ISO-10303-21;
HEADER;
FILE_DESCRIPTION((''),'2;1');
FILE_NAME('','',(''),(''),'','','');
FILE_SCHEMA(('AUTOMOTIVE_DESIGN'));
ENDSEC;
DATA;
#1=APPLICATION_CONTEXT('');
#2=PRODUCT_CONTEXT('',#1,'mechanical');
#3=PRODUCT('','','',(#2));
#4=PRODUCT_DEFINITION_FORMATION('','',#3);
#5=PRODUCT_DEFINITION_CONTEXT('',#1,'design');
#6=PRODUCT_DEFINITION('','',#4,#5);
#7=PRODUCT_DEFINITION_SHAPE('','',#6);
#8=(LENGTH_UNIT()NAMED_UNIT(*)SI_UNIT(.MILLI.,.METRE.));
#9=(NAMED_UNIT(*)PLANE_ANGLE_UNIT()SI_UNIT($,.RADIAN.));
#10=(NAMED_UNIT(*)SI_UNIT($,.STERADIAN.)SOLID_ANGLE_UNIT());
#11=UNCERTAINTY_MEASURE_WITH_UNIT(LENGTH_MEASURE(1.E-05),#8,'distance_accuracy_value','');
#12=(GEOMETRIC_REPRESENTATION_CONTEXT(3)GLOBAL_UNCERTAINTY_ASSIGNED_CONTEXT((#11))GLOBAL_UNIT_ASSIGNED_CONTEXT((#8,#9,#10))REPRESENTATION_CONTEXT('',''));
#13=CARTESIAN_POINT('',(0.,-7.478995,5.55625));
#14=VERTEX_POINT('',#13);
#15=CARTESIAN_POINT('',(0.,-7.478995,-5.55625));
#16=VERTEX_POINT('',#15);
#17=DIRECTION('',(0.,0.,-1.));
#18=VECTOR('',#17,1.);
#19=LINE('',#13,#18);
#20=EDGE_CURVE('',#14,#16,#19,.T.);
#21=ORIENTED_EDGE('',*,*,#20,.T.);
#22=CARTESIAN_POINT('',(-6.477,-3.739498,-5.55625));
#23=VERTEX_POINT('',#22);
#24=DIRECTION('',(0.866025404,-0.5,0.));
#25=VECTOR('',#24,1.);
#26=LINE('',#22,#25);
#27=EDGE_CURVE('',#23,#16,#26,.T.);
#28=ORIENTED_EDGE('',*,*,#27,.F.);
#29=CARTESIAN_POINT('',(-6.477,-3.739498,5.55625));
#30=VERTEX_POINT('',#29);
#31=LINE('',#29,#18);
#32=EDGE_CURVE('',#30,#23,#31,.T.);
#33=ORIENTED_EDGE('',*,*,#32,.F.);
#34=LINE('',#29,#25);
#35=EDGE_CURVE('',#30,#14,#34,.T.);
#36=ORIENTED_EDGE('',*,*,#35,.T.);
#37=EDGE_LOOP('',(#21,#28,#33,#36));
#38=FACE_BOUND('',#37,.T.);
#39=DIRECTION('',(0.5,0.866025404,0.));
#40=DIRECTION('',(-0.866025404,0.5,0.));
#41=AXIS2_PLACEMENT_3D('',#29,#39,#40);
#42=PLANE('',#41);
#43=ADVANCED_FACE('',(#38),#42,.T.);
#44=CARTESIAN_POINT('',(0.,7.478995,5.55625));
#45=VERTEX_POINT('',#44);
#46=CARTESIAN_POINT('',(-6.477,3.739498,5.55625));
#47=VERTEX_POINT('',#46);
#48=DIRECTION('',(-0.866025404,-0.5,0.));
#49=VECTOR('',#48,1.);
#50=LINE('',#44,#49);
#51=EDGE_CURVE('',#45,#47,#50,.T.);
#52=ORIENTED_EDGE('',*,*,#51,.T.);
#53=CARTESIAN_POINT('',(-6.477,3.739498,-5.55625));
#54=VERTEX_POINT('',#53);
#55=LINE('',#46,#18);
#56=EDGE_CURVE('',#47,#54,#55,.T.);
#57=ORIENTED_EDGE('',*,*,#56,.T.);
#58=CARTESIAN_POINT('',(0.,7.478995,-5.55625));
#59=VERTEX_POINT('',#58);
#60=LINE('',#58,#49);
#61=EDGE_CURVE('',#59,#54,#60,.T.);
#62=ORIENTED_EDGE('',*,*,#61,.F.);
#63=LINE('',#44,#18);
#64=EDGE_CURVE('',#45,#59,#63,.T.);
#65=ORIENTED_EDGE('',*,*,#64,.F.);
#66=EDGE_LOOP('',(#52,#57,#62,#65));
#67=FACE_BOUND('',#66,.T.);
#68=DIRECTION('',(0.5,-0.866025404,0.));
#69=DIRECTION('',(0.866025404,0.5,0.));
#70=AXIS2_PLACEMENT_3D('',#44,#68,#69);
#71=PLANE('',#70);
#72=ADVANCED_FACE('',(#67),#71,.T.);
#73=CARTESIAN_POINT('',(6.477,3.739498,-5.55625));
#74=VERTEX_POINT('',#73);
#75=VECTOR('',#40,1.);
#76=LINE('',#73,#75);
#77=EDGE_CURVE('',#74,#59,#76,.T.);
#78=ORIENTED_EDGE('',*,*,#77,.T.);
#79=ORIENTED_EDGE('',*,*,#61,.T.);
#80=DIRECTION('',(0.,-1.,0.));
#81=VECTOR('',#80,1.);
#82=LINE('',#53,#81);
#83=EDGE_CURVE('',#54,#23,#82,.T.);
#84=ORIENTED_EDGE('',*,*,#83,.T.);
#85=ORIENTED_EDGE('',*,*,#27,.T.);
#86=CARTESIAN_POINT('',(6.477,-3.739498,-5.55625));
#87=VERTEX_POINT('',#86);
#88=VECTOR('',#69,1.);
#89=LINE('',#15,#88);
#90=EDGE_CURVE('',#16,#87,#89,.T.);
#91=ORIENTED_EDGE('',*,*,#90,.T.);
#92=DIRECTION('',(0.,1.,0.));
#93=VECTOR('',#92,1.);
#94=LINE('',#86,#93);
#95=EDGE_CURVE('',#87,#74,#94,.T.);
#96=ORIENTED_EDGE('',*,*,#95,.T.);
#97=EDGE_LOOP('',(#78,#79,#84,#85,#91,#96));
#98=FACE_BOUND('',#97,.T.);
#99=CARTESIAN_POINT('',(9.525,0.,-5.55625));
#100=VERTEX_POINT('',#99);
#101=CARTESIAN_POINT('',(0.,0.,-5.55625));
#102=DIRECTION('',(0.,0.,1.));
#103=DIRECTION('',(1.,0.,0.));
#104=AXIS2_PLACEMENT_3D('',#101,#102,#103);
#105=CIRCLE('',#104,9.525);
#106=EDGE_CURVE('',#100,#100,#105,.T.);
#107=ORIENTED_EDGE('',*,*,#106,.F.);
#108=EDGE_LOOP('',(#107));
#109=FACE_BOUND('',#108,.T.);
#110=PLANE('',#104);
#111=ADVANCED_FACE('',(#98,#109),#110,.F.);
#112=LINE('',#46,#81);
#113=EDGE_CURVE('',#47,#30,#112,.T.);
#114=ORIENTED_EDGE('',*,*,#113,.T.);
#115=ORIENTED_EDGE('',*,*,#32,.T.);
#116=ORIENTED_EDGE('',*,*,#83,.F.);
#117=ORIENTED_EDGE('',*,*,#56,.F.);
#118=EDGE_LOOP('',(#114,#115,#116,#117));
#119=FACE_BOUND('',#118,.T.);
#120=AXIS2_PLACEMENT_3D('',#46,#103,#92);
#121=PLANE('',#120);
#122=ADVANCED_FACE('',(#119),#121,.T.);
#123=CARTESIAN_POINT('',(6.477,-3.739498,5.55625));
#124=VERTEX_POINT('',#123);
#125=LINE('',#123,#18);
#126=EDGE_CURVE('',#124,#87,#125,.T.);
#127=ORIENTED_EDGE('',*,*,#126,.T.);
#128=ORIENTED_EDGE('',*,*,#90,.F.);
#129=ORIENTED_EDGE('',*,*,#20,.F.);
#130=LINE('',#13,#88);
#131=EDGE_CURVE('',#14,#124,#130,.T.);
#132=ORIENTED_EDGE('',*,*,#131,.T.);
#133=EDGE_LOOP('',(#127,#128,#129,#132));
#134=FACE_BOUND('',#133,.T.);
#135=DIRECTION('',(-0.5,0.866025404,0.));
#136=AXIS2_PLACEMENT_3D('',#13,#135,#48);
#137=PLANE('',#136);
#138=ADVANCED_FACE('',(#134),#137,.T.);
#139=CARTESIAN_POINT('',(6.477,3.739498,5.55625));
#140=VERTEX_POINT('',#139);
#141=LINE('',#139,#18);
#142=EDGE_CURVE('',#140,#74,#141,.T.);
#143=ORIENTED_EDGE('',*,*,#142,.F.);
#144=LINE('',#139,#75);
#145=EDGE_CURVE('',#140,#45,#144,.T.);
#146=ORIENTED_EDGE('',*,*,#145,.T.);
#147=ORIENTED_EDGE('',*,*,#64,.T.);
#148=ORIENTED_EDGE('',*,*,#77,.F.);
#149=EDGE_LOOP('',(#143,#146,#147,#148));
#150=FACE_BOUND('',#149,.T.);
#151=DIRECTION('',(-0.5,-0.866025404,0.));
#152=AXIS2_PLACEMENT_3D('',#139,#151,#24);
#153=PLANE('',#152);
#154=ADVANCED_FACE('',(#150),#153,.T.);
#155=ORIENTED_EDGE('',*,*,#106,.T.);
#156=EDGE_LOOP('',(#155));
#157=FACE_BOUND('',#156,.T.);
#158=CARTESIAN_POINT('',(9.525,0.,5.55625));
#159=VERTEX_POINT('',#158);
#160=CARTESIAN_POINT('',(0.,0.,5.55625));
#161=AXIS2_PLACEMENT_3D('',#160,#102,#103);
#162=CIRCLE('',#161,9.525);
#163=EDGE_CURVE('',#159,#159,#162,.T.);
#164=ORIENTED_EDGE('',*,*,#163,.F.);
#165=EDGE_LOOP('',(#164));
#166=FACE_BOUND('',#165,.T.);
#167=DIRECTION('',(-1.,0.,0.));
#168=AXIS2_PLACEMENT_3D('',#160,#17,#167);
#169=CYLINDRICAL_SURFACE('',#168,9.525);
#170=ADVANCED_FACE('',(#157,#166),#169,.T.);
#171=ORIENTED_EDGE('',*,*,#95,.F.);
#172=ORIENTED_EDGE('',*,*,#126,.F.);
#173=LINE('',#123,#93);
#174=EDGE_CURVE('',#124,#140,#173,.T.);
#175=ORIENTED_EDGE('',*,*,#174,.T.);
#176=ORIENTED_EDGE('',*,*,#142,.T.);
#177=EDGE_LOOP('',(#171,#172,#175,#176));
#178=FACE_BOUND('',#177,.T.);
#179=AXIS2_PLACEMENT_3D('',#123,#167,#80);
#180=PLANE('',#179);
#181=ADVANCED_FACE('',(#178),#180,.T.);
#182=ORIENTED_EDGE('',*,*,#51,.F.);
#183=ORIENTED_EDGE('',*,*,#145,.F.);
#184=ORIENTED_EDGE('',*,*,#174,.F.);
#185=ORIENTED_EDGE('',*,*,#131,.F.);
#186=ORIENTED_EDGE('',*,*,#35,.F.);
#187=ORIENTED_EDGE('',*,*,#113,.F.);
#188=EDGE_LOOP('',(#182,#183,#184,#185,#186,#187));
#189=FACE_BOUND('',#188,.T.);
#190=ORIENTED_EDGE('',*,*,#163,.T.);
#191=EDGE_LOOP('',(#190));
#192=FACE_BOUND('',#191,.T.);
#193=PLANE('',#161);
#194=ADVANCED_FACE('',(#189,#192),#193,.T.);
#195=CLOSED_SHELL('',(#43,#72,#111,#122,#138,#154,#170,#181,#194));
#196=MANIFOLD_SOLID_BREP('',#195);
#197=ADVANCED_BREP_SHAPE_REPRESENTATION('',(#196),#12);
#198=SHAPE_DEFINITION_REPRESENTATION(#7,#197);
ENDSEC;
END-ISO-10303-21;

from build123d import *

# Parameters (mm, degrees)
SKETCH1_R           = 9.525
BOSS_EXTRUDE1_DEPTH = 5.55625


with BuildPart() as part:
    # Sketch1 → Boss-Extrude1 (new, symmetric)
    with BuildSketch(Plane.XY):
        Circle(SKETCH1_R)
        Polygon((0, 7.478995387), (-6.477, 3.739497694), (-6.477, -3.739497694), (0, -7.478995387), (6.477, -3.739497694), (6.477, 3.739497694), align=None, mode=Mode.SUBTRACT)
    extrude(amount=BOSS_EXTRUDE1_DEPTH, both=True)


solid = part.part
